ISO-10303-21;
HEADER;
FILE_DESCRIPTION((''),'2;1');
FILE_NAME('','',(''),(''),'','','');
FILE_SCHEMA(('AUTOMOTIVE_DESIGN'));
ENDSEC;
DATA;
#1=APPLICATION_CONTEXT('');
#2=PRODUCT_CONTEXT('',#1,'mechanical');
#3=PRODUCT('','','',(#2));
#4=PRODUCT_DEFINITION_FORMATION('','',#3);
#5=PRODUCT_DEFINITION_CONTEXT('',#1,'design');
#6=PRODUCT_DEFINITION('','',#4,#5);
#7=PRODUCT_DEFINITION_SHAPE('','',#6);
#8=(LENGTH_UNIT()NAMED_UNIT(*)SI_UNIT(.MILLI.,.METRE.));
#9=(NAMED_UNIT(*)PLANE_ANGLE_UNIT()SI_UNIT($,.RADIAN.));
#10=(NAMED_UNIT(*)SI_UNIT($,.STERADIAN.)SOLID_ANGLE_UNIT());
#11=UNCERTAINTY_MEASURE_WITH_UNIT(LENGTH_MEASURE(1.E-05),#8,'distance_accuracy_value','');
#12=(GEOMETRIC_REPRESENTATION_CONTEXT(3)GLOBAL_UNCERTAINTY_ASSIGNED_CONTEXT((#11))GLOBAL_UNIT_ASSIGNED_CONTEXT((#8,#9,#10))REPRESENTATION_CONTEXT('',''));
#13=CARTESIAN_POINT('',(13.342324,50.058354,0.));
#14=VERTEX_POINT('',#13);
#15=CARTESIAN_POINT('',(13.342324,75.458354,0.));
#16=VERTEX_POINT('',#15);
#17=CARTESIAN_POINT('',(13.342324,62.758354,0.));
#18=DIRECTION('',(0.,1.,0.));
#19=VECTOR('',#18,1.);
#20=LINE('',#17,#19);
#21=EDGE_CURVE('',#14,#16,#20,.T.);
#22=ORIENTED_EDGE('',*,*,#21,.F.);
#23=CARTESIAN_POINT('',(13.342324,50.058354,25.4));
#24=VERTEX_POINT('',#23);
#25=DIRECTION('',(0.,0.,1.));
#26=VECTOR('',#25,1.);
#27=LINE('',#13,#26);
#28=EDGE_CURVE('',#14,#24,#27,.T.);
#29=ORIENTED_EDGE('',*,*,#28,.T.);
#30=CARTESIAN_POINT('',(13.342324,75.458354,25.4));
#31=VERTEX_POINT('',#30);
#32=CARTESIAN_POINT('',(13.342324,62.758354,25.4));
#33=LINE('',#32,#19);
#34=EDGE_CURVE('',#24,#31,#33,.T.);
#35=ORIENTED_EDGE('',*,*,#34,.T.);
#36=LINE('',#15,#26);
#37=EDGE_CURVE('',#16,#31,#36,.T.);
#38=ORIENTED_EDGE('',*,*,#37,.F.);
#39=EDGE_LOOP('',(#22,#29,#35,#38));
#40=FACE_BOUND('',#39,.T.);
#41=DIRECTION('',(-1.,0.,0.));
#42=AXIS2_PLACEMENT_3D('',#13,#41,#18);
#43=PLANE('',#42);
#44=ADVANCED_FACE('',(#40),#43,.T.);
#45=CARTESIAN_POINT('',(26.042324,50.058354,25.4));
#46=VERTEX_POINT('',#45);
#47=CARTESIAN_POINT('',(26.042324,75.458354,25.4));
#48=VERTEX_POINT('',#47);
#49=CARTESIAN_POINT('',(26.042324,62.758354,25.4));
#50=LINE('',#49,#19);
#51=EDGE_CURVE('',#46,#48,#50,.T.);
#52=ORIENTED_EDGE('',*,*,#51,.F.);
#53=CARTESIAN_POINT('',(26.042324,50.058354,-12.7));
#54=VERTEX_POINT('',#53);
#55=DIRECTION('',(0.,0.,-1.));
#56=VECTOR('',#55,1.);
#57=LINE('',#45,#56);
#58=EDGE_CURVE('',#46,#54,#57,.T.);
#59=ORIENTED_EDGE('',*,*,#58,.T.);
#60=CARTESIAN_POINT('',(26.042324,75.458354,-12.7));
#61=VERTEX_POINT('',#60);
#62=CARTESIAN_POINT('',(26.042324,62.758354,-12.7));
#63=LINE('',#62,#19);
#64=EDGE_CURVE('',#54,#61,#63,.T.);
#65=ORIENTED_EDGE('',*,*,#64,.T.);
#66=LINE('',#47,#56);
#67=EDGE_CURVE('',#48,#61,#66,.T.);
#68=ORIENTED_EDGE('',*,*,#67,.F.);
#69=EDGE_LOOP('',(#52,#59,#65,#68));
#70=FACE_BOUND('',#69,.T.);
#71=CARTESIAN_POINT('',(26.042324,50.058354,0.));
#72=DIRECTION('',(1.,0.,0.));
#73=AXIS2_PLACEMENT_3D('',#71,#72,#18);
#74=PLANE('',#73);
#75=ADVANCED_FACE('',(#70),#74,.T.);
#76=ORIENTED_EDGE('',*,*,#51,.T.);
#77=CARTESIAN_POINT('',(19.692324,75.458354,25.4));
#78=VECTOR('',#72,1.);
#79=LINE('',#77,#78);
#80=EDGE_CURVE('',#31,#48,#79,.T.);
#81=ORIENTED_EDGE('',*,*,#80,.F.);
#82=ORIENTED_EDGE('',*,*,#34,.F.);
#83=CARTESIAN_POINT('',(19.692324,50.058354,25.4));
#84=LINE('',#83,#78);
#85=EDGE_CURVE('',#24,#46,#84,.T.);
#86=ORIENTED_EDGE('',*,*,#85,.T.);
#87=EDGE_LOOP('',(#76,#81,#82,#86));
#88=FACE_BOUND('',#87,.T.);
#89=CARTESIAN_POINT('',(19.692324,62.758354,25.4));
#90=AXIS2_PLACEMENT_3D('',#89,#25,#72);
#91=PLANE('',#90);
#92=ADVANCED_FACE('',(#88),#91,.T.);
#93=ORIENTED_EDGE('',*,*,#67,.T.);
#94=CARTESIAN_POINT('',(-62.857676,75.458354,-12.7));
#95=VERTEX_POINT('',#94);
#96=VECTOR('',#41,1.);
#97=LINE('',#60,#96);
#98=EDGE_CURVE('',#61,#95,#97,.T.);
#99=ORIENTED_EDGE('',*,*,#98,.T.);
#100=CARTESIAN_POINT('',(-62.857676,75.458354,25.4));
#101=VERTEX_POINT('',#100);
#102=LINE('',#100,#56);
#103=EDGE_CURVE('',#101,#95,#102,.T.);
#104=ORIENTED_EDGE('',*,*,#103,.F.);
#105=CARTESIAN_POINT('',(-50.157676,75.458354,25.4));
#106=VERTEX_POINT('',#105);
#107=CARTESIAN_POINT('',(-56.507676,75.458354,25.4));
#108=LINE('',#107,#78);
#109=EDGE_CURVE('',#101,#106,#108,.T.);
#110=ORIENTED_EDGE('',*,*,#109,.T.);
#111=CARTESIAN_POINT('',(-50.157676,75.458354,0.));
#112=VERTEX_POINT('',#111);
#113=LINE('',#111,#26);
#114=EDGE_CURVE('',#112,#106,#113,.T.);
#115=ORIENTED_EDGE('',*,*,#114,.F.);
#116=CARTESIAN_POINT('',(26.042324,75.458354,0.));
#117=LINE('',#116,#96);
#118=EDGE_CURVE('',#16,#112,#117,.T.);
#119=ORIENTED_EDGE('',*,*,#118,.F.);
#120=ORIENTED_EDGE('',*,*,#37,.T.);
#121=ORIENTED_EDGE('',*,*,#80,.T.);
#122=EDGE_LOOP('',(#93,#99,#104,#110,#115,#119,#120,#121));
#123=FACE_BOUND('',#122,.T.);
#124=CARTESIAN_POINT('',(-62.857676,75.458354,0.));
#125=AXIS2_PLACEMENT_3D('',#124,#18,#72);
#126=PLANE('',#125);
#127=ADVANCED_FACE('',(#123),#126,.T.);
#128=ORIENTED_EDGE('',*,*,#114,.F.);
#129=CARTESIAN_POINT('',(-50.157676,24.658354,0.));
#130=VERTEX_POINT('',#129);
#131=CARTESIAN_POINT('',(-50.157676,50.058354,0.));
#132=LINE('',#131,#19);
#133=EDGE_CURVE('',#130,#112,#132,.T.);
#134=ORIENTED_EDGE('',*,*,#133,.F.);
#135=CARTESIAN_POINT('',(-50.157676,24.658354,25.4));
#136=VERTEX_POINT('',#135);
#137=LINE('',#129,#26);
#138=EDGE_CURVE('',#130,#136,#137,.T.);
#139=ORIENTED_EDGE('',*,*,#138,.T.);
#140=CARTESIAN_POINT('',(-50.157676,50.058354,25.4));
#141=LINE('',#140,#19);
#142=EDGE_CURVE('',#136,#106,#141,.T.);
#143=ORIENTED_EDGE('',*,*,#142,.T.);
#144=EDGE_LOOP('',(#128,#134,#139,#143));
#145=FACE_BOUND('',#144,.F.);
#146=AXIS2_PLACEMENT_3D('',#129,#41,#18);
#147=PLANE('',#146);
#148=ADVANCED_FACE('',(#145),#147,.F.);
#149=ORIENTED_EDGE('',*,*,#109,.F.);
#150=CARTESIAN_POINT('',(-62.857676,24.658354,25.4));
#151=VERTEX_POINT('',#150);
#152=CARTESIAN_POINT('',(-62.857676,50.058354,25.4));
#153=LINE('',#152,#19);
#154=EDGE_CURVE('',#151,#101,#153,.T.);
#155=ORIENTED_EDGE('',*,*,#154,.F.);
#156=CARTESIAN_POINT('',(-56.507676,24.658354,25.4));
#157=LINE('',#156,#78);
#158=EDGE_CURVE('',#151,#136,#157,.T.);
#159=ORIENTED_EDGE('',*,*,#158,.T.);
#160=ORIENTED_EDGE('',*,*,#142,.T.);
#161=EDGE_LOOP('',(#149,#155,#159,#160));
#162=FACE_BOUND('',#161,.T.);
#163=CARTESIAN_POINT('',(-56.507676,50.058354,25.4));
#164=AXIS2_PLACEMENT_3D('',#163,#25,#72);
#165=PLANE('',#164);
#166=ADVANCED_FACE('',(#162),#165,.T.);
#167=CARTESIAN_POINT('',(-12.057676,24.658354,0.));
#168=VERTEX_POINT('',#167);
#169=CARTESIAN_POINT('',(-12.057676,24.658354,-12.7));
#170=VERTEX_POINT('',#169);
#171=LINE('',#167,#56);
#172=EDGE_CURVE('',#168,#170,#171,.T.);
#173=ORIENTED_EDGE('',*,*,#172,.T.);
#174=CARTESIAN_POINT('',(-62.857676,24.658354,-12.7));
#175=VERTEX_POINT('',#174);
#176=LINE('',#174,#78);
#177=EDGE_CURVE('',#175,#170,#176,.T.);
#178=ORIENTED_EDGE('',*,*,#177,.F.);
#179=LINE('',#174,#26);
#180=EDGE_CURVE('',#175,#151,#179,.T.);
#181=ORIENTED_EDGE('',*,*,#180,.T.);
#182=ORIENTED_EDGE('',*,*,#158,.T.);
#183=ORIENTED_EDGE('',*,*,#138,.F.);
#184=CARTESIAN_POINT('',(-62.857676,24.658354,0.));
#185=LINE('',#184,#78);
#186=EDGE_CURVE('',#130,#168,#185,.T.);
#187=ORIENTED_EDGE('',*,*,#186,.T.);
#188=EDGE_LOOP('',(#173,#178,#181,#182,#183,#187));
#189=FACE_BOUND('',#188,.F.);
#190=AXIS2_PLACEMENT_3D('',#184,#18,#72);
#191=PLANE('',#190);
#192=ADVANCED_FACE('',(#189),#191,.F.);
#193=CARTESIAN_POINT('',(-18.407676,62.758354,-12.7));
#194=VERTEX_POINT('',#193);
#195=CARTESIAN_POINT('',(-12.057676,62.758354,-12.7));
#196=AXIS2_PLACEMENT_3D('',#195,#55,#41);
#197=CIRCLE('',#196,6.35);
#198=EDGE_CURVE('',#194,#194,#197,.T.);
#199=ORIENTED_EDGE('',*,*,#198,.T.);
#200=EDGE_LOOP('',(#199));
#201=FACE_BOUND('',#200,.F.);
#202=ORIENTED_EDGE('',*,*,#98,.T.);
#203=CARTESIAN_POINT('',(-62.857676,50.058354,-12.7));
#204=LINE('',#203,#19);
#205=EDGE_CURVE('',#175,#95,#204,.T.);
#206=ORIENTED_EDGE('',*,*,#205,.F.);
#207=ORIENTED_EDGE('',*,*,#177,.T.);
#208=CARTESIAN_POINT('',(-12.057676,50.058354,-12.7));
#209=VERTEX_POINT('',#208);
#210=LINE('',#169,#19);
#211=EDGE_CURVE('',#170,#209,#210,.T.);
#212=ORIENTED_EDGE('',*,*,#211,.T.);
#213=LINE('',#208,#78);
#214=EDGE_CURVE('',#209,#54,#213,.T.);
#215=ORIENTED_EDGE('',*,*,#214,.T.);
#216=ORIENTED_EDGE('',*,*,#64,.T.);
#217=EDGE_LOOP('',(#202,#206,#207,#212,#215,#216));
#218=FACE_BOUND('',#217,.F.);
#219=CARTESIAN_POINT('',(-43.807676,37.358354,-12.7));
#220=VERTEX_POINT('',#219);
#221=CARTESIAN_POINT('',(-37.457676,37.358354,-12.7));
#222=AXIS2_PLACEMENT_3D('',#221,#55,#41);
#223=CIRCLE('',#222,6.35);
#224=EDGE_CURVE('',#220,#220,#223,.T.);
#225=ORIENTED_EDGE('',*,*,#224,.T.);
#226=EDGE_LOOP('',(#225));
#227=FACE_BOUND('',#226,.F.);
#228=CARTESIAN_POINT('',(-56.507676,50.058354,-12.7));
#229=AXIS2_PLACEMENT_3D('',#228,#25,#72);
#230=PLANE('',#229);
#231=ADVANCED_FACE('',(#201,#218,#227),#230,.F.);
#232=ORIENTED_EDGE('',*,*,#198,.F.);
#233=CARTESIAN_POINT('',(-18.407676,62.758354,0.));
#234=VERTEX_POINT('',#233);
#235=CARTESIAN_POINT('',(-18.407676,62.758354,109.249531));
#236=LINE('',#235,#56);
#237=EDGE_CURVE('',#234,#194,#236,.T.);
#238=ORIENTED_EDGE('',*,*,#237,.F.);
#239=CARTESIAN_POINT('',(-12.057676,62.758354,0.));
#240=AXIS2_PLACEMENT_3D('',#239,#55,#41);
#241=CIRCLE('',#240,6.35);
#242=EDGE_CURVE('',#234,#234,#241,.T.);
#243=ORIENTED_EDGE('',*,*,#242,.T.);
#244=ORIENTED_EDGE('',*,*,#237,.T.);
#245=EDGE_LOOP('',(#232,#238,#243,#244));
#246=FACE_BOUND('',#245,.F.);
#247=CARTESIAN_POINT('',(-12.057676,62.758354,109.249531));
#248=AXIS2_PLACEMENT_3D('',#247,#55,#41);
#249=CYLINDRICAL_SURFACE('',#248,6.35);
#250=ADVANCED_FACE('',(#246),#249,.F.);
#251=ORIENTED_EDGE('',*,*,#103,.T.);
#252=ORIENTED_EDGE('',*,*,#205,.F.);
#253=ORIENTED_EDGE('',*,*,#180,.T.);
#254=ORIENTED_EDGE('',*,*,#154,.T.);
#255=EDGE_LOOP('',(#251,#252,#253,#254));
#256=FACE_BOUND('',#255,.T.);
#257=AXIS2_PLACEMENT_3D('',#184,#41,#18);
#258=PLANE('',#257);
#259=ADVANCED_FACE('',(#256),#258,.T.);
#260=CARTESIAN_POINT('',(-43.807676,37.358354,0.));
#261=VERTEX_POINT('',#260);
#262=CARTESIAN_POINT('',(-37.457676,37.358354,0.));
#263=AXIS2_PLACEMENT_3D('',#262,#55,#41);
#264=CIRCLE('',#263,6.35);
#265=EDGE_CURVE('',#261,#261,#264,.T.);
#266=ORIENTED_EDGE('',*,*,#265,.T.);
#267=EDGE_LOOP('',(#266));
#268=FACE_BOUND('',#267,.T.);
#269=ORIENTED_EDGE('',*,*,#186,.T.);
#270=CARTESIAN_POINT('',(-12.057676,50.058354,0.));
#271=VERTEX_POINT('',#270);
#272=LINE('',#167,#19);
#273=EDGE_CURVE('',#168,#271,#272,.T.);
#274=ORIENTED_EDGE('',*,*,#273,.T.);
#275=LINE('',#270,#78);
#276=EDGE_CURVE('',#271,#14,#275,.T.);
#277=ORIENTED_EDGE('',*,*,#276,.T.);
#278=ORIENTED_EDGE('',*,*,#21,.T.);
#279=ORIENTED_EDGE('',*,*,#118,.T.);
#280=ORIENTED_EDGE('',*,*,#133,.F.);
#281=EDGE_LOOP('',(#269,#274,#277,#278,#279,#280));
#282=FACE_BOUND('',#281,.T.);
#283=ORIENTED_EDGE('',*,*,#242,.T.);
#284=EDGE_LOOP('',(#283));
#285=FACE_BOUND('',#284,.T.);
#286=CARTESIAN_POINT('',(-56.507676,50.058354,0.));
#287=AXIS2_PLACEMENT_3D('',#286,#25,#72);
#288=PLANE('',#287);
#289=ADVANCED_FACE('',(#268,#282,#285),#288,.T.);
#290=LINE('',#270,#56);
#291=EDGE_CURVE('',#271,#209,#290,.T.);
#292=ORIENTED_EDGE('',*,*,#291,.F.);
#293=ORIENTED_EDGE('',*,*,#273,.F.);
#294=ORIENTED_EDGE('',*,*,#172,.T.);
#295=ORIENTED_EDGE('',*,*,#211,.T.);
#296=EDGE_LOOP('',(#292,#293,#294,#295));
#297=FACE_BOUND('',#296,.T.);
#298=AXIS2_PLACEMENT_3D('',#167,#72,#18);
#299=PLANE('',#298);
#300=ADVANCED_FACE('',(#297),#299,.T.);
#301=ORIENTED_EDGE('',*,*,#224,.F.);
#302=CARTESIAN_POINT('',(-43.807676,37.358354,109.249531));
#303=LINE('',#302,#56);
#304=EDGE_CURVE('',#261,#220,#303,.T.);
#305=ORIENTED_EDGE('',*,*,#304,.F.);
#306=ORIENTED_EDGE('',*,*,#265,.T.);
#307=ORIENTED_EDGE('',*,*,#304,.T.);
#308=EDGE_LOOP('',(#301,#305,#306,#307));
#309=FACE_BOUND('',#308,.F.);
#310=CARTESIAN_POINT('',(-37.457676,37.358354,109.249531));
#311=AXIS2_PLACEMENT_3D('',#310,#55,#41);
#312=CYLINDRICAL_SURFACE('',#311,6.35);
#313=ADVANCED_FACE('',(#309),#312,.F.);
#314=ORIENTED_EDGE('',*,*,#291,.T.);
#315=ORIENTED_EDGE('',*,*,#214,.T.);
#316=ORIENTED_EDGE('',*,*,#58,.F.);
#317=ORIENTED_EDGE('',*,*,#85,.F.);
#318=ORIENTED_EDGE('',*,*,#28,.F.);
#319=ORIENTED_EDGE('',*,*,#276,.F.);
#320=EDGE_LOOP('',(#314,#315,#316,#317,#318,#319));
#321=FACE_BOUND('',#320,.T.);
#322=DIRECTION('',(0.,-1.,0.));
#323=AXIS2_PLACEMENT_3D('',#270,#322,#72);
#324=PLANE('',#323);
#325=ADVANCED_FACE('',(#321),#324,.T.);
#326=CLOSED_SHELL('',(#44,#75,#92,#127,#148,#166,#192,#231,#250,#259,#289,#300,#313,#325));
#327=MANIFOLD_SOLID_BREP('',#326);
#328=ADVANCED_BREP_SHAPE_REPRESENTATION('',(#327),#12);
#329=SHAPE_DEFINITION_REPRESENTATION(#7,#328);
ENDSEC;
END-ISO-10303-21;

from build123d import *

# Parameters (mm, degrees)
F0_W     = 12.7
F0_H     = 50.8
F0_H_2   = 25.4
F1_DEPTH = 12.7
F2_DEPTH = 25.4
F4_D     = 12.7


with BuildPart() as f1:
    # F0 (on Top) → F1 (new body)
    with BuildSketch(Plane.XY):
        with Locations((-56.507676, 50.058354)):
            Rectangle(F0_W, F0_H)
        Polygon((-50.157676, 75.458354), (-50.157676, 24.658354), (-12.057676, 24.658354), (-12.057676, 50.058354), (13.342324, 50.058354), (13.342324, 75.458354), align=None)
        with Locations((19.692324, 62.758354)):
            Rectangle(F0_W, F0_H_2)
    extrude(amount=-F1_DEPTH)

    # F0 (on Top) → F2 (join)
    with BuildSketch(Plane.XY):
        with Locations((-56.507676, 50.058354)):
            Rectangle(F0_W, F0_H)
        with Locations((19.692324, 62.758354)):
            Rectangle(F0_W, F0_H_2)
    extrude(amount=F2_DEPTH)

    # F4 (through all)
    with Locations(Plane.XY):
        with Locations((-37.457676, 37.358354), (-12.057676, 62.758354)):
            Hole(F4_D / 2)


solid = f1.part
